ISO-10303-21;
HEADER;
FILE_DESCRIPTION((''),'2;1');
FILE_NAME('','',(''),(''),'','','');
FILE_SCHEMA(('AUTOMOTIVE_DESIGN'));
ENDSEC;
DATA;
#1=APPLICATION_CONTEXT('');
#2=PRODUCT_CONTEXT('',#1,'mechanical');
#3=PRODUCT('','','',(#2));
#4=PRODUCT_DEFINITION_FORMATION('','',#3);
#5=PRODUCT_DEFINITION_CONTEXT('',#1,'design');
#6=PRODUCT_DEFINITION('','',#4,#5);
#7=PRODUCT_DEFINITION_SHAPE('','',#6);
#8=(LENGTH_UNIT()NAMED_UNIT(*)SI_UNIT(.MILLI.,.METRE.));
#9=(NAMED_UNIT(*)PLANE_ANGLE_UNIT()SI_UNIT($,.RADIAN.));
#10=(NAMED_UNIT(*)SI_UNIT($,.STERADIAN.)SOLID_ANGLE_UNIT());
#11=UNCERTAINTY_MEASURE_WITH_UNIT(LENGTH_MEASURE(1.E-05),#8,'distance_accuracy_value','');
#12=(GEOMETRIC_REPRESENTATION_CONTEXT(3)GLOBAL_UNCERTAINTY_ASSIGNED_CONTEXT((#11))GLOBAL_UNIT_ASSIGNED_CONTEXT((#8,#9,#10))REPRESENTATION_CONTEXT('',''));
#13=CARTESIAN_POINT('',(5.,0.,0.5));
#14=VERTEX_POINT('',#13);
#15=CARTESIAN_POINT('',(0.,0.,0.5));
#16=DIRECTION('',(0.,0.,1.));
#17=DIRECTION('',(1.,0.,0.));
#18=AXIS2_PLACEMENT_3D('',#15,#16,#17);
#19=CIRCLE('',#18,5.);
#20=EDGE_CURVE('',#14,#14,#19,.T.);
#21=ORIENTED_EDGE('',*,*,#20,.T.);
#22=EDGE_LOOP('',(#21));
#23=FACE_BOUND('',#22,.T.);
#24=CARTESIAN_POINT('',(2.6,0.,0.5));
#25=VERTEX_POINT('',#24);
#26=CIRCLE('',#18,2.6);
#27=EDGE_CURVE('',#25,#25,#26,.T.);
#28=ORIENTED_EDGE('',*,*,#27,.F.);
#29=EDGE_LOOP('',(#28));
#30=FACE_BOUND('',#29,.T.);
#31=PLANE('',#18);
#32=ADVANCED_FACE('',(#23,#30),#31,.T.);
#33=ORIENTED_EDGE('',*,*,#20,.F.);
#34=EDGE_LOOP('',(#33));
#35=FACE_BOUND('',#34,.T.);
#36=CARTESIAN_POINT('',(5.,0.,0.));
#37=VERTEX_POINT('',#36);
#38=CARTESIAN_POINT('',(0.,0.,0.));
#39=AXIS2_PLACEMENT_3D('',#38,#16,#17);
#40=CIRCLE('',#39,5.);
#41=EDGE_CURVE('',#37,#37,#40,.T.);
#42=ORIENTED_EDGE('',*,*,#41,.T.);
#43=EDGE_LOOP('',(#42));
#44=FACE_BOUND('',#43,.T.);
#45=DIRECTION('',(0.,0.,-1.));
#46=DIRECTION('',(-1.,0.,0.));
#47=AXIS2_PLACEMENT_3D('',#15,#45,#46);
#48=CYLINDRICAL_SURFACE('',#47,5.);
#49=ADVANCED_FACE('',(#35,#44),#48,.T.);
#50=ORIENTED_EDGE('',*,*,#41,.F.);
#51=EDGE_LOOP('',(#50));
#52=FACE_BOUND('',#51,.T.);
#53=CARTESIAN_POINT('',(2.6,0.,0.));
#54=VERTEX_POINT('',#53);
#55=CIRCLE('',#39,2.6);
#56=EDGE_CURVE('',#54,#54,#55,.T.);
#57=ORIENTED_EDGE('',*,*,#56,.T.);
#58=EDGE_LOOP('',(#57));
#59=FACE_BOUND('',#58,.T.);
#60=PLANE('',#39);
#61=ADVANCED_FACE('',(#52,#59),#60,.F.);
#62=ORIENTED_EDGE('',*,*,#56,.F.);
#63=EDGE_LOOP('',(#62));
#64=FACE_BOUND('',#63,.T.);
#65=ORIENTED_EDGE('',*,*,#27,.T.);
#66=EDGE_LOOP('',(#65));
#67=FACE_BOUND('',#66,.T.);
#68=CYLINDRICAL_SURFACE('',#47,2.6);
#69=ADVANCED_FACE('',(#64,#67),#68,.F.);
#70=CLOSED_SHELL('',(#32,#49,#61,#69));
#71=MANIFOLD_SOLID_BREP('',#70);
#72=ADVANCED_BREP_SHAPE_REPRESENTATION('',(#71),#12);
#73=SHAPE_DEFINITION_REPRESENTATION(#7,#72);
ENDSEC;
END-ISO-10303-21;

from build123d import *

# Parameters (mm, degrees)
SKETCH_1_R      = 5
SKETCH_1_R_2    = 2.6
EXTRUDE_1_DEPTH = 0.5


with BuildPart() as part:
    # 草图1 → 凸台-拉伸1 (new body)
    with BuildSketch(Plane.XY):
        Circle(SKETCH_1_R)
        Circle(SKETCH_1_R_2, mode=Mode.SUBTRACT)
    extrude(amount=EXTRUDE_1_DEPTH)


solid = part.part
